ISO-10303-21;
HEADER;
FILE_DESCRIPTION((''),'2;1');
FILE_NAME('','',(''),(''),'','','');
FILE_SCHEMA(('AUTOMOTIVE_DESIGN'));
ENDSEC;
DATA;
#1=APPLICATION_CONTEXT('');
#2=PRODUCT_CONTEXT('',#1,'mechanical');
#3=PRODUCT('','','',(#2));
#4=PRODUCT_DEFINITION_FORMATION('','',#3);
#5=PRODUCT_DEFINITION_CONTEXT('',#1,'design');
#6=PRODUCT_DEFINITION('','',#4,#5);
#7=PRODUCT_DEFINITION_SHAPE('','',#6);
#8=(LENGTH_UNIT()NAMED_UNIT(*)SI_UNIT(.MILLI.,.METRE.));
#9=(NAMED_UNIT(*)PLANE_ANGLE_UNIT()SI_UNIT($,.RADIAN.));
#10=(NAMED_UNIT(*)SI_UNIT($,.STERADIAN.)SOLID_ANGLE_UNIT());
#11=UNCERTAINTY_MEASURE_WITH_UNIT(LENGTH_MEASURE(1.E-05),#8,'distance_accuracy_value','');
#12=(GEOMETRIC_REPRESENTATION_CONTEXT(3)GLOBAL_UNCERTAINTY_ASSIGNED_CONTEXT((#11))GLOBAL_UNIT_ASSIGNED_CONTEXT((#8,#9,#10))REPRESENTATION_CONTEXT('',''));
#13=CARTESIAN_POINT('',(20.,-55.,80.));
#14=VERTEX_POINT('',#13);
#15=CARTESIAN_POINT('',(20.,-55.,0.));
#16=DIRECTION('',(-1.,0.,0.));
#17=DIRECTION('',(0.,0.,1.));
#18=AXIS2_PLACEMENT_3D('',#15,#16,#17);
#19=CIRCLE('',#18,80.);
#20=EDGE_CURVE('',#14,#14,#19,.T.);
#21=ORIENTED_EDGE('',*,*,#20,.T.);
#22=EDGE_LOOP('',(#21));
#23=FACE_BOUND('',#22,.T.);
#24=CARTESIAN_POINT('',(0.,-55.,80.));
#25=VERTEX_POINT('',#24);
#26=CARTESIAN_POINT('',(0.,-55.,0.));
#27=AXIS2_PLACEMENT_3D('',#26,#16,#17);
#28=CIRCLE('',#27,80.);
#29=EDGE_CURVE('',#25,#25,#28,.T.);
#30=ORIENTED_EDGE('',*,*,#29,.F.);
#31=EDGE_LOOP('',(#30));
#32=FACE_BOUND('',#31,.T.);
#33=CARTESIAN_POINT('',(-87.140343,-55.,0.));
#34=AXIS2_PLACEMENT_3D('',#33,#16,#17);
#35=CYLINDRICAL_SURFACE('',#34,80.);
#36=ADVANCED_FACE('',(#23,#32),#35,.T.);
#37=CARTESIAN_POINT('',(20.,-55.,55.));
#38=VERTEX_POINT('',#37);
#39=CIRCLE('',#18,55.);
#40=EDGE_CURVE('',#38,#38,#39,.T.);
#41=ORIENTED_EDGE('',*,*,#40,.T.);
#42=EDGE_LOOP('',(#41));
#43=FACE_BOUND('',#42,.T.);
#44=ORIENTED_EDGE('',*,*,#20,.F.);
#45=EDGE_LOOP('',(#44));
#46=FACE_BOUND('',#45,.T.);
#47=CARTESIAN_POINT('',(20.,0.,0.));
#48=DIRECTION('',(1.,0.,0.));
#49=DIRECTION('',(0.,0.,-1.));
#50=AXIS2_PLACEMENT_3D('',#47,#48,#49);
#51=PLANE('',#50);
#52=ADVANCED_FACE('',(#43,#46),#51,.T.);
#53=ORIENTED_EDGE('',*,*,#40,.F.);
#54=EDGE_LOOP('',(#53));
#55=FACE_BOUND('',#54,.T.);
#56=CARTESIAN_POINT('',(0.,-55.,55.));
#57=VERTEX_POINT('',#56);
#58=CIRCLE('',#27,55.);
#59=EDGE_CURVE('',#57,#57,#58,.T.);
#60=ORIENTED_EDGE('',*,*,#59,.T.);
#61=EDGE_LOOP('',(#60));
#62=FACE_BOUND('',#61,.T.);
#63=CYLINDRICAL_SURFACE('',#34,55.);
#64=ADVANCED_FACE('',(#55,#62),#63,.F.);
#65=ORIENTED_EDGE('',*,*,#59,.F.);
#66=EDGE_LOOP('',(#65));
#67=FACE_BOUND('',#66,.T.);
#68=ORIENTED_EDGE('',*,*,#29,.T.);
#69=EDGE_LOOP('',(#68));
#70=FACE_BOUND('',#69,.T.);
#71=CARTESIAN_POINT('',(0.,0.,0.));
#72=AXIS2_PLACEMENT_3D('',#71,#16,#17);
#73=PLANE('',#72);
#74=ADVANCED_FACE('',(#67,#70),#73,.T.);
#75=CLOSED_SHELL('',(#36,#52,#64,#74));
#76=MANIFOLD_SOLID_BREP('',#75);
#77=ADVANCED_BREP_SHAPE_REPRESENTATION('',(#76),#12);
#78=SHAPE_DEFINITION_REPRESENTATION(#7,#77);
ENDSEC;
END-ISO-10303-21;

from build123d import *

# Parameters (mm, degrees)
SKETCH1_W = 20
SKETCH1_H = 25


with BuildPart() as part:
    # Sketch1 → Revolve1 (revolve)
    with BuildSketch(Plane.XY):
        with Locations((10, 12.5)):
            Rectangle(SKETCH1_W, SKETCH1_H)
    revolve(axis=Axis((-87.140343237, -55, 0), (1, 0, 0)))


solid = part.part
